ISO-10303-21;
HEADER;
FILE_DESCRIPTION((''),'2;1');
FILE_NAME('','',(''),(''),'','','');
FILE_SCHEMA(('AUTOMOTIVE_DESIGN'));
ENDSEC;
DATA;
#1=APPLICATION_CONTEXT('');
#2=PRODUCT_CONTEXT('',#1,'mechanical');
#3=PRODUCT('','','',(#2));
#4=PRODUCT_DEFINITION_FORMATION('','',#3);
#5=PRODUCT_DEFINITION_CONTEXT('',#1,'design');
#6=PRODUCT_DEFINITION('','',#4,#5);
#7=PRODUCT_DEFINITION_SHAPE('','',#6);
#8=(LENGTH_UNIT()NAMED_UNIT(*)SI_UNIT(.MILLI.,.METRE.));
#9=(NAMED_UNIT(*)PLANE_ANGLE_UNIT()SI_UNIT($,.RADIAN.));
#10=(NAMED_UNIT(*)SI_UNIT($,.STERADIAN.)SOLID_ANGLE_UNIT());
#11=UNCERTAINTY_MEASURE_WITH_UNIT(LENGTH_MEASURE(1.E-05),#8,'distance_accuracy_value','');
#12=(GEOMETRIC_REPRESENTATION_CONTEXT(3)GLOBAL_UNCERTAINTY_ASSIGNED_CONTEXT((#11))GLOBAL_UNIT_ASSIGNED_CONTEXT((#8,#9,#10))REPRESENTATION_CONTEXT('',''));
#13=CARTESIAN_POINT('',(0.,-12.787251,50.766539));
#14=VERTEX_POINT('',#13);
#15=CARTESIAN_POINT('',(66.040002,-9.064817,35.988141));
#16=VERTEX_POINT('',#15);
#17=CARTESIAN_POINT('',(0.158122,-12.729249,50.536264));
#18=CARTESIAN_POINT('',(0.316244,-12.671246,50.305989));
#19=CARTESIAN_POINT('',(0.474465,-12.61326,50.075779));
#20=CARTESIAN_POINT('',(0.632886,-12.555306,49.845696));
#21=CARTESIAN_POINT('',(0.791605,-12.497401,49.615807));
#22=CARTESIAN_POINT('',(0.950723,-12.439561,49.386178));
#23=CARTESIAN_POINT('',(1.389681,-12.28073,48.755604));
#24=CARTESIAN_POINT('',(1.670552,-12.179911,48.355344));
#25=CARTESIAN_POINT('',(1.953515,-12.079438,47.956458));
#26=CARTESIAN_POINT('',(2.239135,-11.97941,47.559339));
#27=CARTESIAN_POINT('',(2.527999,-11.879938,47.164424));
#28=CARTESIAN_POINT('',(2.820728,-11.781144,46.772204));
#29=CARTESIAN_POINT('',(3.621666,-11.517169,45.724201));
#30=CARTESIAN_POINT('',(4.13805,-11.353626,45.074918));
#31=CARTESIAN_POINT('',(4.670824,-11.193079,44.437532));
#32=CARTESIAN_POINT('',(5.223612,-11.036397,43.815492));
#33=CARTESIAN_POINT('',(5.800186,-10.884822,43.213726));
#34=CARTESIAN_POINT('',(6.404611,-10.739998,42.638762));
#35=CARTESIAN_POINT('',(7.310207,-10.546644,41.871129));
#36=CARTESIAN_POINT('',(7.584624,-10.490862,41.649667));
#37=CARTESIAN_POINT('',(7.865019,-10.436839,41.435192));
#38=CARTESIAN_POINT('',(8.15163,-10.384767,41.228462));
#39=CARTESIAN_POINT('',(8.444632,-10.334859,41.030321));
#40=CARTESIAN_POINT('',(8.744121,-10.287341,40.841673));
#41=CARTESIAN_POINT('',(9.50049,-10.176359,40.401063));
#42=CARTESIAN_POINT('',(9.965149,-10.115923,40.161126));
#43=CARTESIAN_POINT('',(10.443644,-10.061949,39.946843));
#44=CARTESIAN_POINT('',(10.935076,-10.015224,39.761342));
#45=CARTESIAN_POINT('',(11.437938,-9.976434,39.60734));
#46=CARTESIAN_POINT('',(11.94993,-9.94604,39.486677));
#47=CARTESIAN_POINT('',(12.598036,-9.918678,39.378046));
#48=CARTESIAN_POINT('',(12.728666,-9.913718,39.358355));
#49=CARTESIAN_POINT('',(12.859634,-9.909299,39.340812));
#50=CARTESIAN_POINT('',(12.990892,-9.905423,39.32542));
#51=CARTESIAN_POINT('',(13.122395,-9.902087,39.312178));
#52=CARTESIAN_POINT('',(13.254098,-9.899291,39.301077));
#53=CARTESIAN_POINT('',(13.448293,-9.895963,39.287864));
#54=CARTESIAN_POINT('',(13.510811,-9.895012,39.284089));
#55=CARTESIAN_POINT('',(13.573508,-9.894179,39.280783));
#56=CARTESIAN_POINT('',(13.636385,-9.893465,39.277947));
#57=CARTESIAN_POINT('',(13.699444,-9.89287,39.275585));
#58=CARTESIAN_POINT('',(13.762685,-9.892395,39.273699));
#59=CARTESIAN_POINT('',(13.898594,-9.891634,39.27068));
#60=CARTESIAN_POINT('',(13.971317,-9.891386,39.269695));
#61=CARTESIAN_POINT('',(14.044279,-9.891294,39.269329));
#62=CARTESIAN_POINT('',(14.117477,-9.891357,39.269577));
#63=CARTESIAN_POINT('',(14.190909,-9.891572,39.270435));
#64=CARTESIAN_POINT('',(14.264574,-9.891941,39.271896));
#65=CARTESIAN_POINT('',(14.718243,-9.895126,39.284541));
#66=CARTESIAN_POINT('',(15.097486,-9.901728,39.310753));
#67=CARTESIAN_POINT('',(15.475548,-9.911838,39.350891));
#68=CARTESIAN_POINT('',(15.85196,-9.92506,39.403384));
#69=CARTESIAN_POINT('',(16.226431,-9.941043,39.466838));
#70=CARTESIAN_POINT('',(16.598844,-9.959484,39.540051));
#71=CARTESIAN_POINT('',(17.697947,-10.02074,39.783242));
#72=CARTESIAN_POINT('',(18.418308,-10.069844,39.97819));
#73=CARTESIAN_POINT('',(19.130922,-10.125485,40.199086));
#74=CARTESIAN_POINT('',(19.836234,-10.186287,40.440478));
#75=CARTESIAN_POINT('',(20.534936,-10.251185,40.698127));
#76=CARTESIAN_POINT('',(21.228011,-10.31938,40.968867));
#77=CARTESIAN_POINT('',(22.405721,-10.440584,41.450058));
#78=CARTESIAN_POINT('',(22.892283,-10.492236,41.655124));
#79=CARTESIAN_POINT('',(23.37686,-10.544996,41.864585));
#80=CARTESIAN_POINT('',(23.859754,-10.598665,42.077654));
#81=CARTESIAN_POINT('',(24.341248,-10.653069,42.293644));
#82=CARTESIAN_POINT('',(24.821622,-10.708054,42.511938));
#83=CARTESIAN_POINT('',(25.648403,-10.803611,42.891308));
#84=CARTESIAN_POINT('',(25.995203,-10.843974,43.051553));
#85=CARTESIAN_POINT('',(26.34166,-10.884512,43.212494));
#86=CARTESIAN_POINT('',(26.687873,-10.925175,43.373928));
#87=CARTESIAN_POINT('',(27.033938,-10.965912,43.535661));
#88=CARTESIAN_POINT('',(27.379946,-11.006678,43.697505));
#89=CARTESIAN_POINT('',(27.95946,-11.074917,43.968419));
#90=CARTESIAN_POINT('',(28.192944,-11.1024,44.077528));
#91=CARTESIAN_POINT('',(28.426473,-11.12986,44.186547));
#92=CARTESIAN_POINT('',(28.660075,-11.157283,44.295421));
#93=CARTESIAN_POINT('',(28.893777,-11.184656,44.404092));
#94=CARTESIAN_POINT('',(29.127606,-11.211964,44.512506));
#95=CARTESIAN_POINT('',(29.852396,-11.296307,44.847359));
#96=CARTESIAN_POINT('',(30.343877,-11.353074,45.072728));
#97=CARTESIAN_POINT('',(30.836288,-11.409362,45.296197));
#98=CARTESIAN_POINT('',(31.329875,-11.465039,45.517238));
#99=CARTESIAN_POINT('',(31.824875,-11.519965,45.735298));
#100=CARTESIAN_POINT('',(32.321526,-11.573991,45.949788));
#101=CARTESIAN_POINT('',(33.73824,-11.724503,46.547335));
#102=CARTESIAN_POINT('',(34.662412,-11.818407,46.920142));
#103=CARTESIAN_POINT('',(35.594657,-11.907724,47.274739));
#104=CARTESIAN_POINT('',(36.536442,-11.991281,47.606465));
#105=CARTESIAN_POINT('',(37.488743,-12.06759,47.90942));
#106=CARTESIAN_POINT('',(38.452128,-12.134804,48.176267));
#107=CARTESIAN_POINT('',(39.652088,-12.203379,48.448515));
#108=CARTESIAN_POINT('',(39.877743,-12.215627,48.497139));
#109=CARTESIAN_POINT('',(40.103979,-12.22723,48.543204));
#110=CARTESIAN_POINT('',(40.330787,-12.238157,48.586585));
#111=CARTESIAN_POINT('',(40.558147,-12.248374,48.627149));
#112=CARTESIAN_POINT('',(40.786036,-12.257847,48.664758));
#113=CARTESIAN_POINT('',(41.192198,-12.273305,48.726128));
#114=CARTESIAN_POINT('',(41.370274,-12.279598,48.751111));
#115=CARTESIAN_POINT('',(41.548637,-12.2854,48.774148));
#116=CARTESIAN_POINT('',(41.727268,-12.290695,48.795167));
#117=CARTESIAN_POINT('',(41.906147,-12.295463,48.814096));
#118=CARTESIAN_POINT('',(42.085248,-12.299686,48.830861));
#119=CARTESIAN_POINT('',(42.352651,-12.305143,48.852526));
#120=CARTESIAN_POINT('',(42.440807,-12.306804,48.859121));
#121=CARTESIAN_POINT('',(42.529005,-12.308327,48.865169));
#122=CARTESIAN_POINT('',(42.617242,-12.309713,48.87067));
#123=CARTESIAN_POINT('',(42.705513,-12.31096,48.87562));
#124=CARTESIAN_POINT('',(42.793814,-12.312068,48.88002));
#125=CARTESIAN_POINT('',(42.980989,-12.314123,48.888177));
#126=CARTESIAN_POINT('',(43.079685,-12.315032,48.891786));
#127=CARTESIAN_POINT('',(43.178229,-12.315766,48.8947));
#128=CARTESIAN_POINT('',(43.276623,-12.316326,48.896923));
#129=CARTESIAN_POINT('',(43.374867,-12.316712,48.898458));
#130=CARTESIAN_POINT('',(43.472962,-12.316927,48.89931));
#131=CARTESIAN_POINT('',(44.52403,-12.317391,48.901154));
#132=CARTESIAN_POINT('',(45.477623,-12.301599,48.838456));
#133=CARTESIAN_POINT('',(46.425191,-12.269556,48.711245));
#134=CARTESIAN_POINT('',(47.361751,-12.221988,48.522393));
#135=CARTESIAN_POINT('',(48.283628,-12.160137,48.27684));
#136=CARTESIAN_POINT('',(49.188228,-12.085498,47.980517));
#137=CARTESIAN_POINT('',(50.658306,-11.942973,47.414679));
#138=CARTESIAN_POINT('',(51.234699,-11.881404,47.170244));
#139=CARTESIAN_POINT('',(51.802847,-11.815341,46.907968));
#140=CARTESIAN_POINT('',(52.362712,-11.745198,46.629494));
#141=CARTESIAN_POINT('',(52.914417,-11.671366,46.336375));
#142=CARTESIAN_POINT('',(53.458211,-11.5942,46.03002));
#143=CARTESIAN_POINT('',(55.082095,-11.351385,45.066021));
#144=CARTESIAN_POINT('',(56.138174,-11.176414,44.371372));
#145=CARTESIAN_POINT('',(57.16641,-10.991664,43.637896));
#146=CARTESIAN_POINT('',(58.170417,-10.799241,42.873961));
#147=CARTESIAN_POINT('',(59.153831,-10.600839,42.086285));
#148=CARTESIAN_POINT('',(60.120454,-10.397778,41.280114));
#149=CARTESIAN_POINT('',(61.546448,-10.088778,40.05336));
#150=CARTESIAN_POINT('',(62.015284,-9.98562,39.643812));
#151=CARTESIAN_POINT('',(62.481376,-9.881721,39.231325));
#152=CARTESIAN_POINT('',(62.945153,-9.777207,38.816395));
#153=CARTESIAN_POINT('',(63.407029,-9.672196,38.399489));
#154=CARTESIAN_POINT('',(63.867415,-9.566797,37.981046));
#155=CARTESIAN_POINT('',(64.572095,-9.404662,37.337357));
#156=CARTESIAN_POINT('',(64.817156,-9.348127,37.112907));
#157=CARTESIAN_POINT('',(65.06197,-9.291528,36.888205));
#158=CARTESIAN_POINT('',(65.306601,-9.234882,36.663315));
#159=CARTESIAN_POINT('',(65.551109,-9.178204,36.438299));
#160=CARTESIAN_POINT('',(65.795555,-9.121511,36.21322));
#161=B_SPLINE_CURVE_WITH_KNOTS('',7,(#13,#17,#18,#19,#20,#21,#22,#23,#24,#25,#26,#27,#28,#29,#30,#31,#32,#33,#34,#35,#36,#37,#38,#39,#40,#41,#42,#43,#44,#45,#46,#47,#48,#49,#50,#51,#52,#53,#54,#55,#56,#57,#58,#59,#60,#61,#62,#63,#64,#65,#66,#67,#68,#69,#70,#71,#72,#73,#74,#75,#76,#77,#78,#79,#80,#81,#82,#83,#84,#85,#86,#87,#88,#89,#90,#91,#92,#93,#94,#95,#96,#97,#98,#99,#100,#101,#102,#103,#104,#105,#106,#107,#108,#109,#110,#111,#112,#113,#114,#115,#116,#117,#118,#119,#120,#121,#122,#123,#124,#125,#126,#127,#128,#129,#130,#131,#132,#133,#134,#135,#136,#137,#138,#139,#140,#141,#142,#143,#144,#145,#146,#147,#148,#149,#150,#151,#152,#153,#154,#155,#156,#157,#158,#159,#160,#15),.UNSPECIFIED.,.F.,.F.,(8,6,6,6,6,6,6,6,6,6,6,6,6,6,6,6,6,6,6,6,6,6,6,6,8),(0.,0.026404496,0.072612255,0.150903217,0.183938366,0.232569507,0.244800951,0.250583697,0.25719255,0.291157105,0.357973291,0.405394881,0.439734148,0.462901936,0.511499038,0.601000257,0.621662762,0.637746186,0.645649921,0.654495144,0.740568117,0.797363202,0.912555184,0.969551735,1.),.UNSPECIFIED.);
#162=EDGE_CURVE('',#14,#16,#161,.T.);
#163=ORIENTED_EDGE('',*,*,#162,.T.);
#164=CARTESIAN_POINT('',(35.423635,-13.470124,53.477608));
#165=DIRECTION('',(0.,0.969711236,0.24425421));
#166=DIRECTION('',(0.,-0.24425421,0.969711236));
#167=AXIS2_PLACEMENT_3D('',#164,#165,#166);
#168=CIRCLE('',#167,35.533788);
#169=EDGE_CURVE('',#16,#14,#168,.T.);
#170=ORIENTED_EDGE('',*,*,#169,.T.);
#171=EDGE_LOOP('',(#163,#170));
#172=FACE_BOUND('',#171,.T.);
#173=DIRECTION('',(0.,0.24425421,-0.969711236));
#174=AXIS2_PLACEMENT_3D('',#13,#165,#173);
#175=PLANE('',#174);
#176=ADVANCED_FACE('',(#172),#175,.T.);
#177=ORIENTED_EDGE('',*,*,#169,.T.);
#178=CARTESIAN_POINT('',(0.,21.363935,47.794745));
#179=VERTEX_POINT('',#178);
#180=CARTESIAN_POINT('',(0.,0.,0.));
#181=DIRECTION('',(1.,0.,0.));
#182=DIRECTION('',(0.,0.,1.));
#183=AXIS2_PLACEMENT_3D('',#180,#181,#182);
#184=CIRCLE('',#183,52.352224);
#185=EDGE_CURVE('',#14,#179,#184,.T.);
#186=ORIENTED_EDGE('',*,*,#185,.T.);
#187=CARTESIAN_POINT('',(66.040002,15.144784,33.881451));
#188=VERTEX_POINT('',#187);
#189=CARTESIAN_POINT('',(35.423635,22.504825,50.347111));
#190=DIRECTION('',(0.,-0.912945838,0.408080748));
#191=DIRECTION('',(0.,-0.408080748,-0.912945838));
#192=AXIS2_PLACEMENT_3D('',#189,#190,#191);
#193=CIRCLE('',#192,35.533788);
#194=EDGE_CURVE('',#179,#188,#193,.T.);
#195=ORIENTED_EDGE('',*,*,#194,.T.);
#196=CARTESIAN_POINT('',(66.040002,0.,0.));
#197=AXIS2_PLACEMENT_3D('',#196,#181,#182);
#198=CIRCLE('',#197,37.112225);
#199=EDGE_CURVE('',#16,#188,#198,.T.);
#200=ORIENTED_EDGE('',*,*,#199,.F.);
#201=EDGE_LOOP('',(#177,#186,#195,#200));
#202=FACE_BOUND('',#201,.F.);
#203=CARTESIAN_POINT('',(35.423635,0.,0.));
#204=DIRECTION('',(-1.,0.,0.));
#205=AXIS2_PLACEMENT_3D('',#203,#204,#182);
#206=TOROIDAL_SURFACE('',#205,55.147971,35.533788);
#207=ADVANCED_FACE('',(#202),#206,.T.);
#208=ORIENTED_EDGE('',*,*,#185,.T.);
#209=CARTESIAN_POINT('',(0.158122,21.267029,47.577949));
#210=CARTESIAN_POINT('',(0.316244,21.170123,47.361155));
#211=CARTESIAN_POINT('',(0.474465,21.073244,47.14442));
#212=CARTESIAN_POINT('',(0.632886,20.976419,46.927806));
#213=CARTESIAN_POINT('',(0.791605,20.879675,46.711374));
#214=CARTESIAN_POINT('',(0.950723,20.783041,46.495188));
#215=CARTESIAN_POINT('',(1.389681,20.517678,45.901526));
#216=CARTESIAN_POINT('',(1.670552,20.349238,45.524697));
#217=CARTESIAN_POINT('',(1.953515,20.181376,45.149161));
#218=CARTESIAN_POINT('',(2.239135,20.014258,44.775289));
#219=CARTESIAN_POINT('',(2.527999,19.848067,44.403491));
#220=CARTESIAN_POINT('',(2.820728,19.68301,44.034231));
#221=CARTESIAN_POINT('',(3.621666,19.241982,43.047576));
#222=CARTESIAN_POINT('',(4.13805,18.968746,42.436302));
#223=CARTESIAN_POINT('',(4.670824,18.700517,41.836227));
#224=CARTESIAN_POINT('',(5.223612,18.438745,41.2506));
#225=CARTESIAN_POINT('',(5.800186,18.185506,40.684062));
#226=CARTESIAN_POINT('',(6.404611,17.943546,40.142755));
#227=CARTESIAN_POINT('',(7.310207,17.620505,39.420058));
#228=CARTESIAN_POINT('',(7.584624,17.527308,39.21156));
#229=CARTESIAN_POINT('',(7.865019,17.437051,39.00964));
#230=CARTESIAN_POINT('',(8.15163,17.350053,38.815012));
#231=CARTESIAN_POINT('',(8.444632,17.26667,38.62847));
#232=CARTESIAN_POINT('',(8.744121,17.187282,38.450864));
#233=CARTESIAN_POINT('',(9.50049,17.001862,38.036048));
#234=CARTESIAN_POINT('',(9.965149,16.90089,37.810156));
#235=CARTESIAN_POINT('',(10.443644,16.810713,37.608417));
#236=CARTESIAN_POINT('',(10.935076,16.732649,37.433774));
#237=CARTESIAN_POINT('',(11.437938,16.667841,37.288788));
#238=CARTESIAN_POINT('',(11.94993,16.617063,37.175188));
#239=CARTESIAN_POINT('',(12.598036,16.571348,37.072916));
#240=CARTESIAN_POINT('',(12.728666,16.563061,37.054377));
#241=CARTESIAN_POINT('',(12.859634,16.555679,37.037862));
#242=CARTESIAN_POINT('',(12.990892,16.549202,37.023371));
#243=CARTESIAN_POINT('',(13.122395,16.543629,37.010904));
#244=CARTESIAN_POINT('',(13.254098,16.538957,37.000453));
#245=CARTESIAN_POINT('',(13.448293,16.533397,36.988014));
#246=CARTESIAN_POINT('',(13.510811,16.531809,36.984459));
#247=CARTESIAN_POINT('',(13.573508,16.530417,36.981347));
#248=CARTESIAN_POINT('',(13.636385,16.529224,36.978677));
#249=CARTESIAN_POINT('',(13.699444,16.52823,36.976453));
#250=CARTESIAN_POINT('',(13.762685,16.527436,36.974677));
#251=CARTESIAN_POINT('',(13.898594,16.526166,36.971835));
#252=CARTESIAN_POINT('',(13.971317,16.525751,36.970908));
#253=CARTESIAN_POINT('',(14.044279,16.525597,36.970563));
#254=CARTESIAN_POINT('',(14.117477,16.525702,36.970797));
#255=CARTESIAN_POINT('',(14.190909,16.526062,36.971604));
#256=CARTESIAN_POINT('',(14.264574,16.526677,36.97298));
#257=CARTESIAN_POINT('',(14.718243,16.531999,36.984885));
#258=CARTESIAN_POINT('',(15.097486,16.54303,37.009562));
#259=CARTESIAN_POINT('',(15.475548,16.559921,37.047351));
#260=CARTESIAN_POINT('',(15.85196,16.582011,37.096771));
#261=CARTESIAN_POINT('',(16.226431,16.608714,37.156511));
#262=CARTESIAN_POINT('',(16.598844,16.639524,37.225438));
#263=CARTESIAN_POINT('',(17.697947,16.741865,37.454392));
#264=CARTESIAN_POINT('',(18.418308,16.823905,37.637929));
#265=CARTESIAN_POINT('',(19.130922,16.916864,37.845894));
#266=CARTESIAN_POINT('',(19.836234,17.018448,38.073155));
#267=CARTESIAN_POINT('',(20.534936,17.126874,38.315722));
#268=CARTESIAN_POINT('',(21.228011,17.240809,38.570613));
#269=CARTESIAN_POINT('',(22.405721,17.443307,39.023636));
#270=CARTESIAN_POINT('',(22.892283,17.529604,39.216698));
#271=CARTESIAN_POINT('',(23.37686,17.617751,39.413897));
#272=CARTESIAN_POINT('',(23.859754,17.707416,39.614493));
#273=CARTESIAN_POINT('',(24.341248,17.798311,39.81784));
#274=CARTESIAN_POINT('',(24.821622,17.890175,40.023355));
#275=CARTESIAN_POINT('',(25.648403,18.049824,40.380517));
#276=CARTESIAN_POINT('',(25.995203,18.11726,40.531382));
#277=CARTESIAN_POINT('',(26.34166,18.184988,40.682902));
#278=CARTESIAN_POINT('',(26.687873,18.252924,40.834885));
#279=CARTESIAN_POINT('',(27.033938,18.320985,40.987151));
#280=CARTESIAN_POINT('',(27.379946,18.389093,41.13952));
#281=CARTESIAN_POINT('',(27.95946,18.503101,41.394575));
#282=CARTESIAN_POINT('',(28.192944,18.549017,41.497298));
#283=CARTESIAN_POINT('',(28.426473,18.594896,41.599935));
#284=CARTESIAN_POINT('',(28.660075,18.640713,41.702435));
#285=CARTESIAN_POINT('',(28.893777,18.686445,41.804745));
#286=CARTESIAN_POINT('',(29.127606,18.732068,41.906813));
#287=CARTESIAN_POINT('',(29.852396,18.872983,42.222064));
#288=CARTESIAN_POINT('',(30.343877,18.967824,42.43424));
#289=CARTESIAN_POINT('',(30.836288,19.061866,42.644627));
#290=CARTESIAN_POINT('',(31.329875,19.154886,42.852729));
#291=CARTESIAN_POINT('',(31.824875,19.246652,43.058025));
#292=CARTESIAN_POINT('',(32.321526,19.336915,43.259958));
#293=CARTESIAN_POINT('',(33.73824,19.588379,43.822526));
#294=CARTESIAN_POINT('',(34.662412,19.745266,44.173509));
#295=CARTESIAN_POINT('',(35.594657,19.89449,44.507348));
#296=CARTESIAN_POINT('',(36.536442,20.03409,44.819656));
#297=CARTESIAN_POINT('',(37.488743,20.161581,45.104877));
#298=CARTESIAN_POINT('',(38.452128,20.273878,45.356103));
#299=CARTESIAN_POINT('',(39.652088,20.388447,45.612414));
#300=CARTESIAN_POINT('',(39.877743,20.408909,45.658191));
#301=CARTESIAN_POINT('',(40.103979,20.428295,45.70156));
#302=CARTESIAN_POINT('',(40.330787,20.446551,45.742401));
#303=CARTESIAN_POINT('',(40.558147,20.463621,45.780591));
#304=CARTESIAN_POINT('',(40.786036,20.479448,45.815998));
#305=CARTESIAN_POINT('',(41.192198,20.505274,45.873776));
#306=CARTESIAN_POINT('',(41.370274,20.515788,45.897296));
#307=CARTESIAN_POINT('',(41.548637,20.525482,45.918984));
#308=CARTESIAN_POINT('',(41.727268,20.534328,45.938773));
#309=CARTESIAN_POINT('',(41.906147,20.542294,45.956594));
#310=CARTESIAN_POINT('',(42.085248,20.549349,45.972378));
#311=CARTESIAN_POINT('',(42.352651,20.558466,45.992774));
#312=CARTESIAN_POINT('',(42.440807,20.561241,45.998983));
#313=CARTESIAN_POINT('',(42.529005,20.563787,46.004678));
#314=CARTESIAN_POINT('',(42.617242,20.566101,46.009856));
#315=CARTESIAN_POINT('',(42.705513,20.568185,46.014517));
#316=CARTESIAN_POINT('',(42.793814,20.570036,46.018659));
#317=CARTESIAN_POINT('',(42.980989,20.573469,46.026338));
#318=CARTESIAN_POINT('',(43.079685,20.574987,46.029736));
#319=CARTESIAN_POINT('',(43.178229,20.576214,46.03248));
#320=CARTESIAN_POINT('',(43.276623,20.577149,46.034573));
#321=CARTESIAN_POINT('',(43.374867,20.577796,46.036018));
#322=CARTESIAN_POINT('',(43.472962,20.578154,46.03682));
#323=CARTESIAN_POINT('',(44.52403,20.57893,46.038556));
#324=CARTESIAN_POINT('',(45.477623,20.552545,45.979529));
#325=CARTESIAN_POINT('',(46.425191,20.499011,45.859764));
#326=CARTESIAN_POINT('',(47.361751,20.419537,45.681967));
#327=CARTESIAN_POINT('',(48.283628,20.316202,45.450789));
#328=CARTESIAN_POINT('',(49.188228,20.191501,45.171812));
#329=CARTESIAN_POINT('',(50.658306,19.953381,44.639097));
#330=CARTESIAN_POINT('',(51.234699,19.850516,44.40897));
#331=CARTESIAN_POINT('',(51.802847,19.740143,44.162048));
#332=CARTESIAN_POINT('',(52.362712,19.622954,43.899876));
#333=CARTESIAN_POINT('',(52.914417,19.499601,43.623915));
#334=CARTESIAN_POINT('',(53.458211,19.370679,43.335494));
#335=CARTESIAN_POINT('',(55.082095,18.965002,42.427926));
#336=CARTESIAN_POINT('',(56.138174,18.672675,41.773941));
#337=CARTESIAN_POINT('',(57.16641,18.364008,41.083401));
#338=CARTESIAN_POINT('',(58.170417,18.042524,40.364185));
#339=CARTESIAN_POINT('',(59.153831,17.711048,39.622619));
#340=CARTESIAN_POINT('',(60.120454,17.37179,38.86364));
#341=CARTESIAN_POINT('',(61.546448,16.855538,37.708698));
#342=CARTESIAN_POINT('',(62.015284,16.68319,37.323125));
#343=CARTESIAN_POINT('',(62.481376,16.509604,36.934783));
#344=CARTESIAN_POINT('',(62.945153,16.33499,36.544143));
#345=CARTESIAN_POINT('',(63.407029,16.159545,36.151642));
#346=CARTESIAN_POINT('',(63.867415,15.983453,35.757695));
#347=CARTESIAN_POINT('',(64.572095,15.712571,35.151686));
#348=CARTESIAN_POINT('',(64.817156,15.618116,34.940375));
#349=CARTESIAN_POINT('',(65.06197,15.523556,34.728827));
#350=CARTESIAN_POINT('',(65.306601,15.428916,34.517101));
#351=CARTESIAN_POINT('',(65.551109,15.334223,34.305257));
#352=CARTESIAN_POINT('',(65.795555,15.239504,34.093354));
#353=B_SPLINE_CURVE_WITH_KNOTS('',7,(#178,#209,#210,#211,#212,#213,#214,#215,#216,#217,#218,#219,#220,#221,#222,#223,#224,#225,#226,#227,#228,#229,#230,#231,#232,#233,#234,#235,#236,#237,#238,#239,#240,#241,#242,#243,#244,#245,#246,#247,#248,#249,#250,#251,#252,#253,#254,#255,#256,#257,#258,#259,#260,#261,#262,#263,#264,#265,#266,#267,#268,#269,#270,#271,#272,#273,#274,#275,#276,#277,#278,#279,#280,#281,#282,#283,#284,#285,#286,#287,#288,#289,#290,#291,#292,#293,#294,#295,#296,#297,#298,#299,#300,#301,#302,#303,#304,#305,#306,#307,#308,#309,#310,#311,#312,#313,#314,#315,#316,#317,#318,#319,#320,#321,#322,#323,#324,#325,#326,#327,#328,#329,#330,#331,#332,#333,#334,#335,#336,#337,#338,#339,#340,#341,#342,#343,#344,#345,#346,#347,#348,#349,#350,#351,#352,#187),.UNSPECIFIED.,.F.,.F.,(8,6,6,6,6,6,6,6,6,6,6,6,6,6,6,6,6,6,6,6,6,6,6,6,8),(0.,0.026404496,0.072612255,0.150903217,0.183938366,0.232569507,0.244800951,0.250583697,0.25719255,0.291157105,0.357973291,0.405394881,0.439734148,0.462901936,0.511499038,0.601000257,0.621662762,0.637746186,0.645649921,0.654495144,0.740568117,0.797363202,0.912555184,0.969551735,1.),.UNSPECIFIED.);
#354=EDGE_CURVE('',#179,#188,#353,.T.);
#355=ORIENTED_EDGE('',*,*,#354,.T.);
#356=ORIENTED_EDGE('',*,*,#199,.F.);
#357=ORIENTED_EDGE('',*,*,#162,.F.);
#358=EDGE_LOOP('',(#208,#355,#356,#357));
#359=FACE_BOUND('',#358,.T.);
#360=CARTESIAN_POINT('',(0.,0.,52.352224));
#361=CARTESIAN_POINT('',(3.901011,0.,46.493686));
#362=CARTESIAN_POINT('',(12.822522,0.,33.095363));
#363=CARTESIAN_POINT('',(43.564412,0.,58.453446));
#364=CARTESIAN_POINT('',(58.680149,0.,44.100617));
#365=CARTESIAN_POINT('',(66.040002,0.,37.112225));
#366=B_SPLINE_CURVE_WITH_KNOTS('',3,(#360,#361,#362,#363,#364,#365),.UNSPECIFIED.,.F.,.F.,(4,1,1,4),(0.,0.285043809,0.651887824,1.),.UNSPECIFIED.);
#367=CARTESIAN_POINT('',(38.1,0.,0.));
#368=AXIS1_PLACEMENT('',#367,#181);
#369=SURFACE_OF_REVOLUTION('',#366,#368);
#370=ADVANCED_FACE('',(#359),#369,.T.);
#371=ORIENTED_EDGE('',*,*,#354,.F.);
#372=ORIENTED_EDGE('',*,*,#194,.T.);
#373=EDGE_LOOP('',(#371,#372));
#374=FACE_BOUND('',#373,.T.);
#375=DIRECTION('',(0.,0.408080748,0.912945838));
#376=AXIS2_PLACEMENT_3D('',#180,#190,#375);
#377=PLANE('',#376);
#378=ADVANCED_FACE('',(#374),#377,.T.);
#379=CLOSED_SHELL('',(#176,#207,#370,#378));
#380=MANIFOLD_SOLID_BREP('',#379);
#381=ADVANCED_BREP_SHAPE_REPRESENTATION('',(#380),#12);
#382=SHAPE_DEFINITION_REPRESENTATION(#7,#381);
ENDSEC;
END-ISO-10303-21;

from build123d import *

# Parameters (mm, degrees)
F3_DEPTH = 127


with BuildPart() as f1:
    # F0 (on Front) → F1 (revolve)
    with BuildSketch(Plane.XZ):
        with BuildLine():
            add(Edge.make_bspline(
                [(0, 52.3522235453), (3.9010110216, 46.493686386), (12.8225223937, 33.0953633355), (43.5644122855, 58.4534461397), (58.6801493129, 44.1006173271), (66.0400018096, 37.1122248471)],
                knots=[0, 0, 0, 0, 0.2850438094, 0.6518878243, 1, 1, 1, 1], degree=3))
            ThreePointArc((0, 52.3522235453), (27.4335254153, 20.5241610104), (66.0400018096, 37.1122248471))
        make_face()
    revolve(axis=Axis((38.1000004709, 0, 0), (1, 0, 0)))

    # F2 (on Right) → F3 (cut)
    with BuildSketch(Plane.YZ):
        with BuildLine():
            Line((-12.7872510157, 50.7665393896), (0, 0))
            Line((0, 0), (21.3639345451, 47.7947445949))
            ThreePointArc((21.3639345451, 47.7947445949), (4.5384761943, 52.1551296036), (-12.7872510157, 50.7665393896))
        make_face()
    extrude(amount=F3_DEPTH, mode=Mode.SUBTRACT)


solid = f1.part
